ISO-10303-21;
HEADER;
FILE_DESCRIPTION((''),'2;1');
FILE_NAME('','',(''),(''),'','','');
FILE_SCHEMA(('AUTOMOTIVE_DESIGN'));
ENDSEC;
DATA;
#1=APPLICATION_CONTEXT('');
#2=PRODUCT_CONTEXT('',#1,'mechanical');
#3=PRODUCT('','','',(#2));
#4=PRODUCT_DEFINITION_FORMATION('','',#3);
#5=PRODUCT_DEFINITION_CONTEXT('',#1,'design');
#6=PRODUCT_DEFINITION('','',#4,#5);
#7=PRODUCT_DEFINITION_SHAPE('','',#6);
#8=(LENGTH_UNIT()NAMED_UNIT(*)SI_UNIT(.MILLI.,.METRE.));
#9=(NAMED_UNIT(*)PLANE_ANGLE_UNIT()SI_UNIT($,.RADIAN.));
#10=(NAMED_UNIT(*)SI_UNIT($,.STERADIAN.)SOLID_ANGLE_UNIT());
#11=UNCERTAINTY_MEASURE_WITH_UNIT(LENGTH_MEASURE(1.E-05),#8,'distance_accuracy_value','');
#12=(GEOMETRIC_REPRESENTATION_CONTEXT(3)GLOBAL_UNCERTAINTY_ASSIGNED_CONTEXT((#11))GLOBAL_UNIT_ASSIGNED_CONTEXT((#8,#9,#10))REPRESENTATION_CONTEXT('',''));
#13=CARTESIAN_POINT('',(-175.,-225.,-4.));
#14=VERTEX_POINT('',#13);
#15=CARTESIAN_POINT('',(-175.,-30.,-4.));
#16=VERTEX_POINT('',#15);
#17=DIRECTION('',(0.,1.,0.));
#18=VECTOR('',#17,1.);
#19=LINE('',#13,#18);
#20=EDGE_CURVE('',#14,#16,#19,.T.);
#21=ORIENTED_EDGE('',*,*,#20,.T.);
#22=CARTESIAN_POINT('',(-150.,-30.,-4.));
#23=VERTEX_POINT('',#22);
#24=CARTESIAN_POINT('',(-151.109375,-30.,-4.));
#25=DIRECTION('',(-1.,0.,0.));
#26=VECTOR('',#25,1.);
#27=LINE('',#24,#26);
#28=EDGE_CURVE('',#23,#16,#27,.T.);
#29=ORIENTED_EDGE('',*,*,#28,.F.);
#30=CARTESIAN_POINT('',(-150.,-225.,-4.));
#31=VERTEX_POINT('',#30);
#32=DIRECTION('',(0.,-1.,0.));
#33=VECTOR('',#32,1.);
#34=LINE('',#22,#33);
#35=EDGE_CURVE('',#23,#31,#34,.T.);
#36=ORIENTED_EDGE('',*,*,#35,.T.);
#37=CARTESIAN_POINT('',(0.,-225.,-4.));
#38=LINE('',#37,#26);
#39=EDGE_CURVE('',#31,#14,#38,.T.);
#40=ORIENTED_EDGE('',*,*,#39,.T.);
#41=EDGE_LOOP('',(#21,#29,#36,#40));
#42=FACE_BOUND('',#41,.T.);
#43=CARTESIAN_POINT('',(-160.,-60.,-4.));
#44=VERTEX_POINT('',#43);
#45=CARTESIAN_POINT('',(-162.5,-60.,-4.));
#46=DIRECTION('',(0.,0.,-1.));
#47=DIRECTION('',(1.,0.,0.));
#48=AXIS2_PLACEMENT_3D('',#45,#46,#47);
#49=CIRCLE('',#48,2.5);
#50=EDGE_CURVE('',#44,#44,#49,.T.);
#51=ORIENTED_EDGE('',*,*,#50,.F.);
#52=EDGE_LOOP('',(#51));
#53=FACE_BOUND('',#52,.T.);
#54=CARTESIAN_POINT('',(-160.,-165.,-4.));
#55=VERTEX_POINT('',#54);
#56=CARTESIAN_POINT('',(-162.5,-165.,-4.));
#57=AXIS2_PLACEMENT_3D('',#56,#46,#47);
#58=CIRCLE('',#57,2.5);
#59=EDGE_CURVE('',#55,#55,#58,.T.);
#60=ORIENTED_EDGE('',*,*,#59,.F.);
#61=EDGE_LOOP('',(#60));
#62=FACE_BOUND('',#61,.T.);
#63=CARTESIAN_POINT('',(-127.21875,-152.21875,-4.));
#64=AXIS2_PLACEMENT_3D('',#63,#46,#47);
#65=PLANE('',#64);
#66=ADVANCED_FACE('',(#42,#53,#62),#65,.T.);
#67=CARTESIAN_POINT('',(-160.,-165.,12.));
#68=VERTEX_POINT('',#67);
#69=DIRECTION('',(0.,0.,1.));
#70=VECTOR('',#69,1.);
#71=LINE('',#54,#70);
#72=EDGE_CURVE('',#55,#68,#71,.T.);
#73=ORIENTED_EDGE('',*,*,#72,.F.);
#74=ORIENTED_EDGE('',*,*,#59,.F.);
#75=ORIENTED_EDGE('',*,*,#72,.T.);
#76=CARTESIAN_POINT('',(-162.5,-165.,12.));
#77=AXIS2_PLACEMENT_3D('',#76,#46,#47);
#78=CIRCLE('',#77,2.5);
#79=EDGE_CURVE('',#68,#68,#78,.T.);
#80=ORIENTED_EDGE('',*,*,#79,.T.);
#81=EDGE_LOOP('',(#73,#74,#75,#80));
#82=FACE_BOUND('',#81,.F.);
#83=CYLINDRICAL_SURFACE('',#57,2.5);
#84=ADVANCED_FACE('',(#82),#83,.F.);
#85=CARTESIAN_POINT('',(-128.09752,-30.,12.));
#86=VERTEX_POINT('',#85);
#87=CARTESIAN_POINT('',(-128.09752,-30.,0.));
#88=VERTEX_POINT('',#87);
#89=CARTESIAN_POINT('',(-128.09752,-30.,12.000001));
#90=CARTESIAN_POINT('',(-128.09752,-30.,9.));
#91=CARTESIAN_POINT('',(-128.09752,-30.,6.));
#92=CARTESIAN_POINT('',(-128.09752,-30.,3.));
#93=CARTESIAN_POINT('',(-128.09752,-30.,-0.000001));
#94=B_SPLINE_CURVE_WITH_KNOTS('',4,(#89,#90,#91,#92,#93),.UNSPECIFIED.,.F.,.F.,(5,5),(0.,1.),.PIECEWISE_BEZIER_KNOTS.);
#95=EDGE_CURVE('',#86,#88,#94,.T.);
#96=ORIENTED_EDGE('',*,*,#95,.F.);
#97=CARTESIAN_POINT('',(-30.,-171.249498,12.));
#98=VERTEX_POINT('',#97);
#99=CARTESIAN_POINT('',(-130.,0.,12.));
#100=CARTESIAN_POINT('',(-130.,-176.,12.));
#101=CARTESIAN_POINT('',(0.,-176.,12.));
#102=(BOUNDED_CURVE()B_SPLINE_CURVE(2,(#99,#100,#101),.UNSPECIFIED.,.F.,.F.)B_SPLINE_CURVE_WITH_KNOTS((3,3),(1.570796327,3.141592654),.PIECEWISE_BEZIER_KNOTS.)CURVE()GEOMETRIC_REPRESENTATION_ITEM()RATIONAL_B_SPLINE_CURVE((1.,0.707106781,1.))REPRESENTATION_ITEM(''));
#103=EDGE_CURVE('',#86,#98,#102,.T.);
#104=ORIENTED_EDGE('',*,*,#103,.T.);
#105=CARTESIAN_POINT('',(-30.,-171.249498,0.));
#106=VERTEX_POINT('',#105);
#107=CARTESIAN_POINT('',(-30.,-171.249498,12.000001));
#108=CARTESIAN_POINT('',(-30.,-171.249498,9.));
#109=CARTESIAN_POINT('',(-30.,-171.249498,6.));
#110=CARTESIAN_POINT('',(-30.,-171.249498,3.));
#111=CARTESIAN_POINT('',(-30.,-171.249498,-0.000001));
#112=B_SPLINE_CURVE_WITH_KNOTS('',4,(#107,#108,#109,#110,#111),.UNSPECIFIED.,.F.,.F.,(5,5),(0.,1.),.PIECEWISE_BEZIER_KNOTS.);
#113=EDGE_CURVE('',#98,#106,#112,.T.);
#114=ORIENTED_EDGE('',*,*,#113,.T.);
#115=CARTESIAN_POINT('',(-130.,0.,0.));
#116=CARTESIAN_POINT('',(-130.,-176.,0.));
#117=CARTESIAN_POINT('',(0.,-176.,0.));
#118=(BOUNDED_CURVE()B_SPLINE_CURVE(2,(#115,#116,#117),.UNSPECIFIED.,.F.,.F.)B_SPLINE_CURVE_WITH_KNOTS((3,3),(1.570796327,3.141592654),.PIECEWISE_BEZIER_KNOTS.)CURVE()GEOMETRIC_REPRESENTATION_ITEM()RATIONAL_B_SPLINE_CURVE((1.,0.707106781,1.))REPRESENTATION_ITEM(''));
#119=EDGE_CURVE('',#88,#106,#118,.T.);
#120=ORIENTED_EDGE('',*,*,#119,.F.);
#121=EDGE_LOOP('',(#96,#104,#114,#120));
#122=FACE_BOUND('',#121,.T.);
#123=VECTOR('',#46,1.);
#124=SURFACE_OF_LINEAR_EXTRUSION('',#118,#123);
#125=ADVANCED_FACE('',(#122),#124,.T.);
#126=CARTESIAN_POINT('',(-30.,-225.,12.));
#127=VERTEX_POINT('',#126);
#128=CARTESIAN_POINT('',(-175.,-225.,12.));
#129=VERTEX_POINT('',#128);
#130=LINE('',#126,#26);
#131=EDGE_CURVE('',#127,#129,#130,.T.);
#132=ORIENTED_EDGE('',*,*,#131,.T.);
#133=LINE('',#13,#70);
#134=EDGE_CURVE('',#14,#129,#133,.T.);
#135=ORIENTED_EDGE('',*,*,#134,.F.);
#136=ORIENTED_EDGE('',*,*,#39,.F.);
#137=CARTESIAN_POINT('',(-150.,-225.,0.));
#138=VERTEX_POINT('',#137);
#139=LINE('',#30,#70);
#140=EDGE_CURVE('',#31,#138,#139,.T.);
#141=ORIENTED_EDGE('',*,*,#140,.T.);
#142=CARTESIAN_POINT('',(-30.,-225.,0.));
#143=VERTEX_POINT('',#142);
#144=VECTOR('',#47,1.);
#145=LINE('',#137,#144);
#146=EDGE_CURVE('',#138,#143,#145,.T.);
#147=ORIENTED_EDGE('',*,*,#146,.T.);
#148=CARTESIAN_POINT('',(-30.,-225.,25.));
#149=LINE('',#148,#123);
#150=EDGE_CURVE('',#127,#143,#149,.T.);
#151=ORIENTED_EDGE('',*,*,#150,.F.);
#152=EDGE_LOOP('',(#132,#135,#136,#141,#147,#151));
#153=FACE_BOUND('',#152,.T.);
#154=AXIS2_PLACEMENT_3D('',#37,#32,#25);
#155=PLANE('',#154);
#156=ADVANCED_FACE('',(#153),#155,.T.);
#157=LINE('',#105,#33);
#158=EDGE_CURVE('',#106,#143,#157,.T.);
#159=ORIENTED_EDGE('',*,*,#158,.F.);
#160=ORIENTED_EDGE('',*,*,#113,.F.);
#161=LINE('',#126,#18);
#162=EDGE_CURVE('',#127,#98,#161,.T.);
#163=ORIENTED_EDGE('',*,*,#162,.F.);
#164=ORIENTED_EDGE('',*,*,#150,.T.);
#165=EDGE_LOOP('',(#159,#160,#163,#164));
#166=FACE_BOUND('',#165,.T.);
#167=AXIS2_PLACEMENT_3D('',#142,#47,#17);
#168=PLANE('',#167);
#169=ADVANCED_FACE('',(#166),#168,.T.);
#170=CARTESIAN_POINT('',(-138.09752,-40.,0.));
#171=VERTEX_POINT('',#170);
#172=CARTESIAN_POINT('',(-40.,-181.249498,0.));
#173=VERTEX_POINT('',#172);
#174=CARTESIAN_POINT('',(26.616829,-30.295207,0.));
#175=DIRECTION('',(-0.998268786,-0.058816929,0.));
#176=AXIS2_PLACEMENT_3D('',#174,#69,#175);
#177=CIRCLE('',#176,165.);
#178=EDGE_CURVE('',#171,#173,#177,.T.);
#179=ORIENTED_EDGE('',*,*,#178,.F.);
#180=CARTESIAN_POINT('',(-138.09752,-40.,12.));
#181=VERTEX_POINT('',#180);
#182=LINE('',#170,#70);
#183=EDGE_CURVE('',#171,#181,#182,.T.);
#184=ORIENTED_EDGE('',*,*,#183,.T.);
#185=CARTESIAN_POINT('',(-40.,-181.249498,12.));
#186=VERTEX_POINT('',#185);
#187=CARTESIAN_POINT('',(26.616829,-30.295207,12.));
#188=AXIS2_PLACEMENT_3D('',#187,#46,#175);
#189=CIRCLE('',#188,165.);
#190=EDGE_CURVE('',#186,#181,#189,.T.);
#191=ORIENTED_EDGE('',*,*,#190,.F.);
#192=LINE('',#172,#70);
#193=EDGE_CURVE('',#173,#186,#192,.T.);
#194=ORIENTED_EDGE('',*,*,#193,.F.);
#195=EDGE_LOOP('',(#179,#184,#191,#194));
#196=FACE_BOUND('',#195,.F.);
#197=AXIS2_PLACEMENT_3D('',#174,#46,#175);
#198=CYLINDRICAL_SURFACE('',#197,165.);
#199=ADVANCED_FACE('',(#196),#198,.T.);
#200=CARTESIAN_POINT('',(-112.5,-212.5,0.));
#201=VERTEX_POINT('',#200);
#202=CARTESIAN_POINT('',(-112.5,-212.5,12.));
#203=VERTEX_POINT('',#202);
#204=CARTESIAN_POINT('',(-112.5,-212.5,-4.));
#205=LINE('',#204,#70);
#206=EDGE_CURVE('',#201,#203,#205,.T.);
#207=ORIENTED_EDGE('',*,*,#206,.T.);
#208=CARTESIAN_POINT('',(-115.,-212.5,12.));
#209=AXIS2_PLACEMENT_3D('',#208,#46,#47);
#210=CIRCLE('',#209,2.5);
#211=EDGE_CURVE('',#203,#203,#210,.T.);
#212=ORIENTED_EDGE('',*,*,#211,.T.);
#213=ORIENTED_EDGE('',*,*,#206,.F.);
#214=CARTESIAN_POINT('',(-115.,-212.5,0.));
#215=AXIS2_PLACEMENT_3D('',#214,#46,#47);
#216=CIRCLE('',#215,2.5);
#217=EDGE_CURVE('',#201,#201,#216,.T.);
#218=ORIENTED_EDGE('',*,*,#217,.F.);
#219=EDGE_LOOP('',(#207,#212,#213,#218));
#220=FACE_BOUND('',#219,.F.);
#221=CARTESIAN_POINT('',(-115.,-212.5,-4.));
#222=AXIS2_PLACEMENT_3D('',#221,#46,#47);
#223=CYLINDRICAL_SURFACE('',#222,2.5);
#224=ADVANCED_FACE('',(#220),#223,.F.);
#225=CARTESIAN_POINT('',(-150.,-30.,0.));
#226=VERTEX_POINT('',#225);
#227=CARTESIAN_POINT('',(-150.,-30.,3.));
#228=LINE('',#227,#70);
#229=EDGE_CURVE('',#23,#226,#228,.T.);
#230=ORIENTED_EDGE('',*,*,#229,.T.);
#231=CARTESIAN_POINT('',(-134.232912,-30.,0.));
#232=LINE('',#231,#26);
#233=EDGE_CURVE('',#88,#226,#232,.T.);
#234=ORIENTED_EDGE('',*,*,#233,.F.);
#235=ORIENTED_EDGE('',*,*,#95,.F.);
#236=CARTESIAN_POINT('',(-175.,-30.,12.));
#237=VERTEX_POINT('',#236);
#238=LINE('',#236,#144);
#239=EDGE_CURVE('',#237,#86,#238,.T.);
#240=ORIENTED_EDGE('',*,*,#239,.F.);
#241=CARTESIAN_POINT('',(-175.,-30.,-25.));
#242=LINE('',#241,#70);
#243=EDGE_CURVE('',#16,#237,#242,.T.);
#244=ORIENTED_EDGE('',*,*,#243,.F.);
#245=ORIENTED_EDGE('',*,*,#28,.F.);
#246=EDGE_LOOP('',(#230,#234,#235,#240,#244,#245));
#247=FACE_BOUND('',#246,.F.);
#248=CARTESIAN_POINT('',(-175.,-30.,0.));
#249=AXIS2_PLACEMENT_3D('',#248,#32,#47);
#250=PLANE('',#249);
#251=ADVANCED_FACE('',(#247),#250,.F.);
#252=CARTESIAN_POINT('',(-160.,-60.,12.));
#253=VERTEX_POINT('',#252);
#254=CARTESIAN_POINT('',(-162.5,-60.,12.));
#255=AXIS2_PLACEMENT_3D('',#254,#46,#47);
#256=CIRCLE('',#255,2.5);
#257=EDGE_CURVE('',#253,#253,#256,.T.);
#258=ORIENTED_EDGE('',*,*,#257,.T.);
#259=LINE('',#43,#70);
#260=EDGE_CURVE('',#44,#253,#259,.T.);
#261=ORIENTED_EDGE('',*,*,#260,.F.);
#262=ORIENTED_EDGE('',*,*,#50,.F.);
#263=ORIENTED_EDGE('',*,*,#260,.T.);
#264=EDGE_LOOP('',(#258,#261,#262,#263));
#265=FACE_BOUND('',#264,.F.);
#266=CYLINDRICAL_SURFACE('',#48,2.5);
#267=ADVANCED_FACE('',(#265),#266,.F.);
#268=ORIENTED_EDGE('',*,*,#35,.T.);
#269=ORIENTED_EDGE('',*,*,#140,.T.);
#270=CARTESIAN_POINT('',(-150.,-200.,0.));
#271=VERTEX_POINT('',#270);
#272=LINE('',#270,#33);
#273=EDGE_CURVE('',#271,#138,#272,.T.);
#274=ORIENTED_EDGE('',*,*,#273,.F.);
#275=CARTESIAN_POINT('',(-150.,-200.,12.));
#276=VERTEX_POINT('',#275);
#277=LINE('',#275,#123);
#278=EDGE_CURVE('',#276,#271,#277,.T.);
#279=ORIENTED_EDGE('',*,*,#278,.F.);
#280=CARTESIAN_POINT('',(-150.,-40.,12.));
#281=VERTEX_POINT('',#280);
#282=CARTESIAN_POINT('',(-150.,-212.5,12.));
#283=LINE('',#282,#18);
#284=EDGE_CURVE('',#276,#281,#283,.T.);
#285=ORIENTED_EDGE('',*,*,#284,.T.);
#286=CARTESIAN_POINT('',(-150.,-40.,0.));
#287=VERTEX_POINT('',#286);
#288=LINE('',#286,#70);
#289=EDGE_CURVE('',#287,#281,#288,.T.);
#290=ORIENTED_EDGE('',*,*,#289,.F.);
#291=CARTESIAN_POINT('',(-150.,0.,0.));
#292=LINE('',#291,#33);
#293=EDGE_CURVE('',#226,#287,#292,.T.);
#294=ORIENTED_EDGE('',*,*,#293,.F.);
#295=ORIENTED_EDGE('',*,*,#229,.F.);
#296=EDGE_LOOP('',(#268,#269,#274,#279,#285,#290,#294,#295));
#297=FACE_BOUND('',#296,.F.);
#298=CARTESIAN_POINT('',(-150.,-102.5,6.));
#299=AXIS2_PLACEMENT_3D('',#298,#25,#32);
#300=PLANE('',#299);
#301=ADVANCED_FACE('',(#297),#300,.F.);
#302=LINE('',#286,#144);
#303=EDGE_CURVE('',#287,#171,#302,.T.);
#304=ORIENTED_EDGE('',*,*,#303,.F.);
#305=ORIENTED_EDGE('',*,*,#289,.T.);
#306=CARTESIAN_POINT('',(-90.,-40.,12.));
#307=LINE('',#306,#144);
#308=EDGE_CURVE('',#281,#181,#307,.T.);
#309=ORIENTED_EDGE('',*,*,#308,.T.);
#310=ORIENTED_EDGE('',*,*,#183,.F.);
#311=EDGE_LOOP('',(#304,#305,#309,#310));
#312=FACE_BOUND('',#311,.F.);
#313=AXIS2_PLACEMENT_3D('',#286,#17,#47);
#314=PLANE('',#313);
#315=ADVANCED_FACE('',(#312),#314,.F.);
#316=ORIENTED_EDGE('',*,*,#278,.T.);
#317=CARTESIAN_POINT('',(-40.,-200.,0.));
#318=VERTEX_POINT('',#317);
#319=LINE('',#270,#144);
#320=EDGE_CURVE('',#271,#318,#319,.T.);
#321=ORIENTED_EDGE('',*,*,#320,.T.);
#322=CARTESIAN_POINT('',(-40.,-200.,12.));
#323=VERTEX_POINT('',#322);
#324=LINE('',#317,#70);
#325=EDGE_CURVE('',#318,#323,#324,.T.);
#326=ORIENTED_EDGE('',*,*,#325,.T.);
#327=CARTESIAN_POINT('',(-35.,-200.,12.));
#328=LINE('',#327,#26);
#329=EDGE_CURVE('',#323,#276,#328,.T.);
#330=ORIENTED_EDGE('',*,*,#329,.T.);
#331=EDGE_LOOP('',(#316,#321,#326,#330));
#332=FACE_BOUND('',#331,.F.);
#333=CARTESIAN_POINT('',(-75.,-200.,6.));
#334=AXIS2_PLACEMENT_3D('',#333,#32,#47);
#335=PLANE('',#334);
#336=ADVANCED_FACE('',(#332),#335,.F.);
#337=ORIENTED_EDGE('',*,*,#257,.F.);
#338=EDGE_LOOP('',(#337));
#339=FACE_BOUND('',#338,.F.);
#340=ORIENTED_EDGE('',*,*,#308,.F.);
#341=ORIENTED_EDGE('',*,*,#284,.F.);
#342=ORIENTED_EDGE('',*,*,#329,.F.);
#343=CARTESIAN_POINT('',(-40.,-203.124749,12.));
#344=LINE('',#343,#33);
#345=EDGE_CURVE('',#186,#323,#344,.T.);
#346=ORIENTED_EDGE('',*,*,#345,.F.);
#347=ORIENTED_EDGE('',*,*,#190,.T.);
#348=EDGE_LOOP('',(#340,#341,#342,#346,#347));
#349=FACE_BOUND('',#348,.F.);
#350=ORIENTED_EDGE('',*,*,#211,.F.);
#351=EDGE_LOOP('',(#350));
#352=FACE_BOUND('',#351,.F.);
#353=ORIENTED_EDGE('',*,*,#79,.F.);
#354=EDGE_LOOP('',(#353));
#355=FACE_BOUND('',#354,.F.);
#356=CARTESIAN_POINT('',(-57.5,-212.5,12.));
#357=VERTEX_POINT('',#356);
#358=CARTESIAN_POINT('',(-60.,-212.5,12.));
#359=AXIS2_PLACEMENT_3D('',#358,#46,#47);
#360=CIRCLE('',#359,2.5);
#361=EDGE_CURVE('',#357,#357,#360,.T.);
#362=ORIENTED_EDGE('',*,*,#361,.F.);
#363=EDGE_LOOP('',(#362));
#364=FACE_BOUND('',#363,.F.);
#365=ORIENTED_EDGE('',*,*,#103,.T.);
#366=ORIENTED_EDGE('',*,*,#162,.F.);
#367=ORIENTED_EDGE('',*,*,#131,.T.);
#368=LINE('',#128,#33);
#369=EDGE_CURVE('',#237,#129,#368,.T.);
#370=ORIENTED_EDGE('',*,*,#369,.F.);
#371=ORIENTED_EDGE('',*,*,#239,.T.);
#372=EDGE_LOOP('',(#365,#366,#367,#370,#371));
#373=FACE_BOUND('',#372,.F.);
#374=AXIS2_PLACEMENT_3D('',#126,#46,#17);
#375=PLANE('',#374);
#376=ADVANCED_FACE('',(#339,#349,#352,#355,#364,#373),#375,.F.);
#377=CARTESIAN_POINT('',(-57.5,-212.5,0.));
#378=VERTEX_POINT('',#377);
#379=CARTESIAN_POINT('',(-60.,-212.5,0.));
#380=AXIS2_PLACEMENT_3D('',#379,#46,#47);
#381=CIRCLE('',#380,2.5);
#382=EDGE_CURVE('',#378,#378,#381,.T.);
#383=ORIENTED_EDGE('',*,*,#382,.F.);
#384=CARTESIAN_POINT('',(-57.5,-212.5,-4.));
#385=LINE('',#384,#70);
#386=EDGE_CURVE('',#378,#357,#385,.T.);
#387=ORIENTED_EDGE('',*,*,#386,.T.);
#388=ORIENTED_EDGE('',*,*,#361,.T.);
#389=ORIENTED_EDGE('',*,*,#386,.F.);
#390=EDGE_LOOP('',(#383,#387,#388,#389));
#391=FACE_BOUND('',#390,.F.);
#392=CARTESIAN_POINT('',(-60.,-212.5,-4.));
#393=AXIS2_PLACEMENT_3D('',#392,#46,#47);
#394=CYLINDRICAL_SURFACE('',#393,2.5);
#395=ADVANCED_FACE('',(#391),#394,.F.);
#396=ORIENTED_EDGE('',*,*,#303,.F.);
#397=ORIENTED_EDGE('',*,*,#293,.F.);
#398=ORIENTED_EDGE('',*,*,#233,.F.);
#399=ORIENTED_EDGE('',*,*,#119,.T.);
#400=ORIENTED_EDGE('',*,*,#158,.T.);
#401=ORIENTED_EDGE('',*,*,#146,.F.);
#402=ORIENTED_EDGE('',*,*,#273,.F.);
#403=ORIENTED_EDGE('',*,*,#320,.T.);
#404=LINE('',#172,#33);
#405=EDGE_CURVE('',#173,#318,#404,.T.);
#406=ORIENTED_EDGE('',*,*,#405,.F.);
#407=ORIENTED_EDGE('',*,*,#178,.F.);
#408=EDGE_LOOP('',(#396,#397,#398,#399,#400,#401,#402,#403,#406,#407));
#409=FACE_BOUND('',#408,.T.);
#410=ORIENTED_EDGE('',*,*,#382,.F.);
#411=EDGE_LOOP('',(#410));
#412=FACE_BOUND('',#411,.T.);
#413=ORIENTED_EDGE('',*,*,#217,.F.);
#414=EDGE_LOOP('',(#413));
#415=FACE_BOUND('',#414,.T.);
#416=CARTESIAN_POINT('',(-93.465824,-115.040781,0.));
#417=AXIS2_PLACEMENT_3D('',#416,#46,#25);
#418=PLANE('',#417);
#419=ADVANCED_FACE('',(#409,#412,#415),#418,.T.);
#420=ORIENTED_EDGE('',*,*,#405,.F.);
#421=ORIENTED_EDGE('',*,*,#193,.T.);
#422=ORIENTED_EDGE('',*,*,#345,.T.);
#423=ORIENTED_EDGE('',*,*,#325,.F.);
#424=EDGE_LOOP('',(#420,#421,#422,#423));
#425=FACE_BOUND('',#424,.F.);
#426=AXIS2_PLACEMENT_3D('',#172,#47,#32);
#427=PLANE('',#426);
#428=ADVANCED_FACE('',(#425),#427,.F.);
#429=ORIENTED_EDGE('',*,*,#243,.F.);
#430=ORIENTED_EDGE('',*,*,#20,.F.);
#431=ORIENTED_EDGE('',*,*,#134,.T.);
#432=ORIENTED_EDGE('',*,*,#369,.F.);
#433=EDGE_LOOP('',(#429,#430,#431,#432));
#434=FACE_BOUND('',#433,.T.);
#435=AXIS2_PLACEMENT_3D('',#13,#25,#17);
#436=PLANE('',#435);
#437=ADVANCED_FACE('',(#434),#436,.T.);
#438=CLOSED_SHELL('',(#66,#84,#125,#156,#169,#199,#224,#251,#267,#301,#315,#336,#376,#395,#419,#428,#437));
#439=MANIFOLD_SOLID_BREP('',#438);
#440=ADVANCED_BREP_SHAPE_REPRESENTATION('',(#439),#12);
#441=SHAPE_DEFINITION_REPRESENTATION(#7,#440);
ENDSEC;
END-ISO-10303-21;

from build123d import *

# Parameters (mm, degrees)
F1_DEPTH  = 12
F2_W      = 150
F2_H      = 20
F3_DEPTH  = 5
F4_W      = 205
F4_H      = 20
F5_DEPTH  = 5
F6_R      = 2.5
F7_DEPTH  = 25
F9_DEPTH  = 5
F10_W     = 30
F10_H     = 30
F10_W_2   = 145
F10_H_2   = 195
F11_DEPTH = 25
F12_W     = 195
F12_H     = 9
F13_DEPTH = 145.0010001
F15_DEPTH = 25
F17_DEPTH = 25


with BuildPart() as f1:
    # F0 (on Top) → F1 (new body)
    with BuildSketch(Plane.XY):
        with BuildLine():
            add(Edge.make_bspline(
                [(-130, 0), (-130, -176), (0, -176)],
                knots=[1.5707963268, 1.5707963268, 1.5707963268, 3.1415926536, 3.1415926536, 3.1415926536], degree=2, weights=[1, 0.7071067812, 1]))
            Line((-130, 0), (-130, -176))
            Line((-130, -176), (0, -176))
        make_face()
        Polygon((-130, -176), (-130, 0), (-150, 0), (-150, -200), (0, -200), (0, -176), align=None)
    extrude(amount=F1_DEPTH)

    # F2 (on face) → F3 (join)
    with BuildSketch(Plane.XZ.offset(200)):
        with Locations((-75, 6)):
            Rectangle(F2_W, F2_H)
    extrude(amount=F3_DEPTH)

    # F4 (on face) → F5 (join)
    with BuildSketch(Plane(origin=(-150, 0, 0), x_dir=(0, -1, 0), z_dir=(-1, 0, 0))):
        with Locations((102.5, 6)):
            Rectangle(F4_W, F4_H)
    extrude(amount=F5_DEPTH)

    # F6 (on face) → F7 (join)
    with BuildSketch(Plane(origin=(0, 0, -4), x_dir=(1, 0, 0), z_dir=(0, 0, -1))):
        Polygon((0, 205), (0, 225), (-175, 225), (-175, 0), (-155, 0), (-155, 205), align=None)
        with Locations((-162.5, 60)):
            Circle(F6_R, mode=Mode.SUBTRACT)
        with Locations((-162.5, 165)):
            Circle(F6_R, mode=Mode.SUBTRACT)
        with Locations((-115, 212.5)):
            Circle(F6_R, mode=Mode.SUBTRACT)
        with Locations((-60, 212.5)):
            Circle(F6_R, mode=Mode.SUBTRACT)
    extrude(amount=-F7_DEPTH)

    # F8 (on face) → F9 (join)
    with BuildSketch(Plane.XY.offset(16)):
        Polygon((-140, 0), (-155, 0), (-155, -205), (0, -205), (0, -190), (-140, -190), align=None)
    extrude(amount=F9_DEPTH)

    # F10 (on Top) → F11 (cut, symmetric)
    with BuildSketch(Plane.XY):
        with Locations((-15, -15)):
            Rectangle(F10_W, F10_H)
        with Locations((-102.5, -15)):
            Rectangle(F10_W_2, F10_H)
        with Locations((-15, -127.5)):
            Rectangle(F10_W, F10_H_2)
    extrude(amount=F11_DEPTH, both=True, mode=Mode.SUBTRACT)

    # F12 (on face) → F13 (cut, through all)
    with BuildSketch(Plane.YZ.offset(-30)):
        with Locations((-127.5, 16.5)):
            Rectangle(F12_W, F12_H)
    extrude(amount=-F13_DEPTH, mode=Mode.SUBTRACT)

    # F14 (on face) → F15 (cut)
    with BuildSketch(Plane(origin=(0, 0, 0), x_dir=(1, 0, 0), z_dir=(0, 0, -1))):
        with BuildLine():
            ThreePointArc((-138.0975202339, 40), (-108.9058025162, 124.4154289012), (-40, 181.2494979045))
            Line((-40, 181.2494979045), (-40, 200))
            Line((-40, 200), (-150, 200))
            Line((-150, 200), (-150, 40))
            Line((-150, 40), (-138.0975202339, 40))
        make_face()
    extrude(amount=-F15_DEPTH, mode=Mode.SUBTRACT)

    # F16 (on face) → F17 (cut, through all)
    with BuildSketch(Plane(origin=(0, -200, 0), x_dir=(-1, 0, 0), z_dir=(0, 1, 0))):
        Polygon((30, 0), (30, -4), (150, -4), (150, 0), (40, 0), align=None)
    extrude(amount=-F17_DEPTH, mode=Mode.SUBTRACT)


solid = f1.part
